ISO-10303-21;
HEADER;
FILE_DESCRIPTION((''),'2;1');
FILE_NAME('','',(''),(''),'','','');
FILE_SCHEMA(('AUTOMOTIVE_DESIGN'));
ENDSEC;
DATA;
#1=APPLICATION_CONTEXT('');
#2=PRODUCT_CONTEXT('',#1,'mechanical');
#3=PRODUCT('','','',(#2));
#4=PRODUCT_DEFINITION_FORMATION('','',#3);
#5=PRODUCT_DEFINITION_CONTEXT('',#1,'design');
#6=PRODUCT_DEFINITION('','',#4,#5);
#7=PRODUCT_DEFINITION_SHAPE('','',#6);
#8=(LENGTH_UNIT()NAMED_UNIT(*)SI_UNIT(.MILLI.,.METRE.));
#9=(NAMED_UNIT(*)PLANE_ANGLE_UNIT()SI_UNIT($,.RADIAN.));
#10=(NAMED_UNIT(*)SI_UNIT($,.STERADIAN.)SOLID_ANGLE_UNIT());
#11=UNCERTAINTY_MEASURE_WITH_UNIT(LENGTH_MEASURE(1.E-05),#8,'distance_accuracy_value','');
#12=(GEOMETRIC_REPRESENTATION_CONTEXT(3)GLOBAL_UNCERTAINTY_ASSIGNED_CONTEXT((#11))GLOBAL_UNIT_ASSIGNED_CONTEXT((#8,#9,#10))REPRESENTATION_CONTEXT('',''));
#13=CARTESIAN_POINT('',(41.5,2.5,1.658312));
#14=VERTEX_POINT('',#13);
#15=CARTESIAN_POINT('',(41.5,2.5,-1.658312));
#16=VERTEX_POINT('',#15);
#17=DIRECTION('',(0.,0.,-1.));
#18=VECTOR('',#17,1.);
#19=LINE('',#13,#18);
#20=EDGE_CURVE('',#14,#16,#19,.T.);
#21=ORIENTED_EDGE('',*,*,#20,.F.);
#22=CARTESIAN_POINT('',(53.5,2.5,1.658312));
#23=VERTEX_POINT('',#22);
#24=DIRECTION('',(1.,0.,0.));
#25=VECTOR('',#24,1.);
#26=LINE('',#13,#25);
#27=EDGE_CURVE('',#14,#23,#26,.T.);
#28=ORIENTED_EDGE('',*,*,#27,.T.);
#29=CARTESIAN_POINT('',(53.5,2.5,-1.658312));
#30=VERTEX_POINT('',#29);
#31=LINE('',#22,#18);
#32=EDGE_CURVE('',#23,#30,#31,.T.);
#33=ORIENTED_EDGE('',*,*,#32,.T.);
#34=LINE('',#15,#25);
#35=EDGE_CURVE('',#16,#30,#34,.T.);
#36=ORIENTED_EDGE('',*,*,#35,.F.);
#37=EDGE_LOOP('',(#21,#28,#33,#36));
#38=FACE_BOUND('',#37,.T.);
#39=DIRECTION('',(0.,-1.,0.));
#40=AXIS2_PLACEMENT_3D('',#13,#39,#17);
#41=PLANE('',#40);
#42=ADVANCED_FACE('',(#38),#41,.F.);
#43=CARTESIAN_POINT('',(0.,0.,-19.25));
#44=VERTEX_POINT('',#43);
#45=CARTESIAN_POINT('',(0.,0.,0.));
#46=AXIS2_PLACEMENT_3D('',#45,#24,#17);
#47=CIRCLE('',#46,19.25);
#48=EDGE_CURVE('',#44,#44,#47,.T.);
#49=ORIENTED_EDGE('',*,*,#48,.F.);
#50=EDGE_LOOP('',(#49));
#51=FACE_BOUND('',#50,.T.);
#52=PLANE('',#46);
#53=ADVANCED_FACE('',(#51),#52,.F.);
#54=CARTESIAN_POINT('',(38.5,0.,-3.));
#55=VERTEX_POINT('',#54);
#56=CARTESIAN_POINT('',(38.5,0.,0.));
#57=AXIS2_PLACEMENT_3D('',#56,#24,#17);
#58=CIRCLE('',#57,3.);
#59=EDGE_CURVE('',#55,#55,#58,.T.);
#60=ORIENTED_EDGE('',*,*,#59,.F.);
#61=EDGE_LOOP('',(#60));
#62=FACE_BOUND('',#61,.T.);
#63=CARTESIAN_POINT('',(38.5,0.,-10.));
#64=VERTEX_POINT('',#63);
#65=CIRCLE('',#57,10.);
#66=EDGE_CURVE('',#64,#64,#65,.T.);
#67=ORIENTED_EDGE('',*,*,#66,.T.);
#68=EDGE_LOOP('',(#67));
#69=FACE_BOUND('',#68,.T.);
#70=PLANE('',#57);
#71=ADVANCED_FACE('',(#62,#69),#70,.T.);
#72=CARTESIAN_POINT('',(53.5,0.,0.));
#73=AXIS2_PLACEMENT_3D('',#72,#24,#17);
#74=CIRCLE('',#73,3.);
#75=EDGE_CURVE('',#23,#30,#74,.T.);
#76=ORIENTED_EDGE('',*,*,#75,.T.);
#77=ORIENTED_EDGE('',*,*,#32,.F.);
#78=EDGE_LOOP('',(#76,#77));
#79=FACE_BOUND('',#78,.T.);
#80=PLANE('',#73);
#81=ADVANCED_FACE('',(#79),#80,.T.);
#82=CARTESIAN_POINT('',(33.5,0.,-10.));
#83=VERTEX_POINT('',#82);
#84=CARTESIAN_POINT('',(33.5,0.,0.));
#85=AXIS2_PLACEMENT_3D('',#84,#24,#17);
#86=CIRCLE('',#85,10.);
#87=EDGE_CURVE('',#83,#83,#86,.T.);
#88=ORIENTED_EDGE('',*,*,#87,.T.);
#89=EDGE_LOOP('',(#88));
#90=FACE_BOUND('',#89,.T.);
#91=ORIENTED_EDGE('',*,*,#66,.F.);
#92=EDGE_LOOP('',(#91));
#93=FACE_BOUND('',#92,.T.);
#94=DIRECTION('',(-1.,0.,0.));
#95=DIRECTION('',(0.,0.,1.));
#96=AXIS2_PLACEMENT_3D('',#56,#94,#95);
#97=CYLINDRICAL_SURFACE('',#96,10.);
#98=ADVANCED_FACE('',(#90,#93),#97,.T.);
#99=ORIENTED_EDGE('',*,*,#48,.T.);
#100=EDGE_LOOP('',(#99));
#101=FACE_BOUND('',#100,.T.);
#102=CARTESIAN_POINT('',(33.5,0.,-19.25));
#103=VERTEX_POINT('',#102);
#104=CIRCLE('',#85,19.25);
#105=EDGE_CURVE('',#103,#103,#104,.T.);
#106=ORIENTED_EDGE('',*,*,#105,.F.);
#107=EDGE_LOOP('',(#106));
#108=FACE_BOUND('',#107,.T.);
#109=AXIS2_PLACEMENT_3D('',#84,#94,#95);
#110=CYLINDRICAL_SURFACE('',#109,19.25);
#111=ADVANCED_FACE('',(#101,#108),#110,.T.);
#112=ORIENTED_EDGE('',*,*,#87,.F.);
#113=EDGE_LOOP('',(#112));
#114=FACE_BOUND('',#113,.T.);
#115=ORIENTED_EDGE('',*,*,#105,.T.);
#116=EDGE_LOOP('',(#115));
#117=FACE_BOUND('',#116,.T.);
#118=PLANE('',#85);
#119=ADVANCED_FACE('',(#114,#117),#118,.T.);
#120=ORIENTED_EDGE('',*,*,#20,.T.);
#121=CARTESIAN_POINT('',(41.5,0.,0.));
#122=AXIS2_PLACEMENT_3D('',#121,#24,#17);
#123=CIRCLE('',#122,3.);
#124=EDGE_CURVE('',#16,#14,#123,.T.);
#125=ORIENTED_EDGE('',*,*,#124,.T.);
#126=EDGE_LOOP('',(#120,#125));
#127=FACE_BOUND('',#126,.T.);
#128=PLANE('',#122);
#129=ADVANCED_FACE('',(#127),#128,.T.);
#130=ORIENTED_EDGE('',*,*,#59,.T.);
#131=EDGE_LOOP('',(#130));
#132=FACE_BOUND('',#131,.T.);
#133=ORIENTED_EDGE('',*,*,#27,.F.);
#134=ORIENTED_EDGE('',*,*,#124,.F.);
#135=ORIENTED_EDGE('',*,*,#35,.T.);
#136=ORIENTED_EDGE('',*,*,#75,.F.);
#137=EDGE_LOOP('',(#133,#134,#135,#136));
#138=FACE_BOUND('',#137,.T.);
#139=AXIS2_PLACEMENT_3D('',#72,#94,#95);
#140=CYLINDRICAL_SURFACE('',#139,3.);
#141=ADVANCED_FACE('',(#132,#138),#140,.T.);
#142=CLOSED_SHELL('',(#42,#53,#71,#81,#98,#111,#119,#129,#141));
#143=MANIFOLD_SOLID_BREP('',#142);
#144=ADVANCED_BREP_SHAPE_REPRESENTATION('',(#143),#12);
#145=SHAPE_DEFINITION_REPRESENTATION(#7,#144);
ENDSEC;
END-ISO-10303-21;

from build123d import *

# Parameters (mm, degrees)
ESQUISSE_BASE_CODEUR_R    = 19.25
BASE_CODEUR_DEPTH         = 33.5
ESQUISSE_PLATEAU_CODEUR_R = 10
PLATEAU_CODEUR_DEPTH      = 5
ESQUISSE_ARBRE_R          = 3
ARBRE_DEPTH               = 15
USINAGE_ARBRE_DEPTH       = 12


with BuildPart() as part:
    # esquisse_base_codeur → base_codeur (new body)
    with BuildSketch(Plane(origin=(0, 0, 0), x_dir=(0, 0, -1), z_dir=(1, 0, 0))):
        Circle(ESQUISSE_BASE_CODEUR_R)
    extrude(amount=BASE_CODEUR_DEPTH)

    # esquisse_plateau_codeur → plateau_codeur (add)
    with BuildSketch(Plane(origin=(33.5, 0, 0), x_dir=(0, 0, -1), z_dir=(1, 0, 0))):
        Circle(ESQUISSE_PLATEAU_CODEUR_R)
    extrude(amount=PLATEAU_CODEUR_DEPTH)

    # esquisse_arbre → arbre (add)
    with BuildSketch(Plane(origin=(38.5, 0, 0), x_dir=(0, 0, -1), z_dir=(1, 0, 0))):
        Circle(ESQUISSE_ARBRE_R)
    extrude(amount=ARBRE_DEPTH)

    # esquisse_usinage_arbre → usinage_arbre (cut)
    with BuildSketch(Plane(origin=(53.5, 0, 0), x_dir=(0, 0, -1), z_dir=(1, 0, 0))):
        with BuildLine():
            Line((-1.658312395, 2.5), (1.658312395, 2.5))
            ThreePointArc((1.658312395, 2.5), (0, 3), (-1.658312395, 2.5))
        make_face()
    extrude(amount=-USINAGE_ARBRE_DEPTH, mode=Mode.SUBTRACT)


solid = part.part
